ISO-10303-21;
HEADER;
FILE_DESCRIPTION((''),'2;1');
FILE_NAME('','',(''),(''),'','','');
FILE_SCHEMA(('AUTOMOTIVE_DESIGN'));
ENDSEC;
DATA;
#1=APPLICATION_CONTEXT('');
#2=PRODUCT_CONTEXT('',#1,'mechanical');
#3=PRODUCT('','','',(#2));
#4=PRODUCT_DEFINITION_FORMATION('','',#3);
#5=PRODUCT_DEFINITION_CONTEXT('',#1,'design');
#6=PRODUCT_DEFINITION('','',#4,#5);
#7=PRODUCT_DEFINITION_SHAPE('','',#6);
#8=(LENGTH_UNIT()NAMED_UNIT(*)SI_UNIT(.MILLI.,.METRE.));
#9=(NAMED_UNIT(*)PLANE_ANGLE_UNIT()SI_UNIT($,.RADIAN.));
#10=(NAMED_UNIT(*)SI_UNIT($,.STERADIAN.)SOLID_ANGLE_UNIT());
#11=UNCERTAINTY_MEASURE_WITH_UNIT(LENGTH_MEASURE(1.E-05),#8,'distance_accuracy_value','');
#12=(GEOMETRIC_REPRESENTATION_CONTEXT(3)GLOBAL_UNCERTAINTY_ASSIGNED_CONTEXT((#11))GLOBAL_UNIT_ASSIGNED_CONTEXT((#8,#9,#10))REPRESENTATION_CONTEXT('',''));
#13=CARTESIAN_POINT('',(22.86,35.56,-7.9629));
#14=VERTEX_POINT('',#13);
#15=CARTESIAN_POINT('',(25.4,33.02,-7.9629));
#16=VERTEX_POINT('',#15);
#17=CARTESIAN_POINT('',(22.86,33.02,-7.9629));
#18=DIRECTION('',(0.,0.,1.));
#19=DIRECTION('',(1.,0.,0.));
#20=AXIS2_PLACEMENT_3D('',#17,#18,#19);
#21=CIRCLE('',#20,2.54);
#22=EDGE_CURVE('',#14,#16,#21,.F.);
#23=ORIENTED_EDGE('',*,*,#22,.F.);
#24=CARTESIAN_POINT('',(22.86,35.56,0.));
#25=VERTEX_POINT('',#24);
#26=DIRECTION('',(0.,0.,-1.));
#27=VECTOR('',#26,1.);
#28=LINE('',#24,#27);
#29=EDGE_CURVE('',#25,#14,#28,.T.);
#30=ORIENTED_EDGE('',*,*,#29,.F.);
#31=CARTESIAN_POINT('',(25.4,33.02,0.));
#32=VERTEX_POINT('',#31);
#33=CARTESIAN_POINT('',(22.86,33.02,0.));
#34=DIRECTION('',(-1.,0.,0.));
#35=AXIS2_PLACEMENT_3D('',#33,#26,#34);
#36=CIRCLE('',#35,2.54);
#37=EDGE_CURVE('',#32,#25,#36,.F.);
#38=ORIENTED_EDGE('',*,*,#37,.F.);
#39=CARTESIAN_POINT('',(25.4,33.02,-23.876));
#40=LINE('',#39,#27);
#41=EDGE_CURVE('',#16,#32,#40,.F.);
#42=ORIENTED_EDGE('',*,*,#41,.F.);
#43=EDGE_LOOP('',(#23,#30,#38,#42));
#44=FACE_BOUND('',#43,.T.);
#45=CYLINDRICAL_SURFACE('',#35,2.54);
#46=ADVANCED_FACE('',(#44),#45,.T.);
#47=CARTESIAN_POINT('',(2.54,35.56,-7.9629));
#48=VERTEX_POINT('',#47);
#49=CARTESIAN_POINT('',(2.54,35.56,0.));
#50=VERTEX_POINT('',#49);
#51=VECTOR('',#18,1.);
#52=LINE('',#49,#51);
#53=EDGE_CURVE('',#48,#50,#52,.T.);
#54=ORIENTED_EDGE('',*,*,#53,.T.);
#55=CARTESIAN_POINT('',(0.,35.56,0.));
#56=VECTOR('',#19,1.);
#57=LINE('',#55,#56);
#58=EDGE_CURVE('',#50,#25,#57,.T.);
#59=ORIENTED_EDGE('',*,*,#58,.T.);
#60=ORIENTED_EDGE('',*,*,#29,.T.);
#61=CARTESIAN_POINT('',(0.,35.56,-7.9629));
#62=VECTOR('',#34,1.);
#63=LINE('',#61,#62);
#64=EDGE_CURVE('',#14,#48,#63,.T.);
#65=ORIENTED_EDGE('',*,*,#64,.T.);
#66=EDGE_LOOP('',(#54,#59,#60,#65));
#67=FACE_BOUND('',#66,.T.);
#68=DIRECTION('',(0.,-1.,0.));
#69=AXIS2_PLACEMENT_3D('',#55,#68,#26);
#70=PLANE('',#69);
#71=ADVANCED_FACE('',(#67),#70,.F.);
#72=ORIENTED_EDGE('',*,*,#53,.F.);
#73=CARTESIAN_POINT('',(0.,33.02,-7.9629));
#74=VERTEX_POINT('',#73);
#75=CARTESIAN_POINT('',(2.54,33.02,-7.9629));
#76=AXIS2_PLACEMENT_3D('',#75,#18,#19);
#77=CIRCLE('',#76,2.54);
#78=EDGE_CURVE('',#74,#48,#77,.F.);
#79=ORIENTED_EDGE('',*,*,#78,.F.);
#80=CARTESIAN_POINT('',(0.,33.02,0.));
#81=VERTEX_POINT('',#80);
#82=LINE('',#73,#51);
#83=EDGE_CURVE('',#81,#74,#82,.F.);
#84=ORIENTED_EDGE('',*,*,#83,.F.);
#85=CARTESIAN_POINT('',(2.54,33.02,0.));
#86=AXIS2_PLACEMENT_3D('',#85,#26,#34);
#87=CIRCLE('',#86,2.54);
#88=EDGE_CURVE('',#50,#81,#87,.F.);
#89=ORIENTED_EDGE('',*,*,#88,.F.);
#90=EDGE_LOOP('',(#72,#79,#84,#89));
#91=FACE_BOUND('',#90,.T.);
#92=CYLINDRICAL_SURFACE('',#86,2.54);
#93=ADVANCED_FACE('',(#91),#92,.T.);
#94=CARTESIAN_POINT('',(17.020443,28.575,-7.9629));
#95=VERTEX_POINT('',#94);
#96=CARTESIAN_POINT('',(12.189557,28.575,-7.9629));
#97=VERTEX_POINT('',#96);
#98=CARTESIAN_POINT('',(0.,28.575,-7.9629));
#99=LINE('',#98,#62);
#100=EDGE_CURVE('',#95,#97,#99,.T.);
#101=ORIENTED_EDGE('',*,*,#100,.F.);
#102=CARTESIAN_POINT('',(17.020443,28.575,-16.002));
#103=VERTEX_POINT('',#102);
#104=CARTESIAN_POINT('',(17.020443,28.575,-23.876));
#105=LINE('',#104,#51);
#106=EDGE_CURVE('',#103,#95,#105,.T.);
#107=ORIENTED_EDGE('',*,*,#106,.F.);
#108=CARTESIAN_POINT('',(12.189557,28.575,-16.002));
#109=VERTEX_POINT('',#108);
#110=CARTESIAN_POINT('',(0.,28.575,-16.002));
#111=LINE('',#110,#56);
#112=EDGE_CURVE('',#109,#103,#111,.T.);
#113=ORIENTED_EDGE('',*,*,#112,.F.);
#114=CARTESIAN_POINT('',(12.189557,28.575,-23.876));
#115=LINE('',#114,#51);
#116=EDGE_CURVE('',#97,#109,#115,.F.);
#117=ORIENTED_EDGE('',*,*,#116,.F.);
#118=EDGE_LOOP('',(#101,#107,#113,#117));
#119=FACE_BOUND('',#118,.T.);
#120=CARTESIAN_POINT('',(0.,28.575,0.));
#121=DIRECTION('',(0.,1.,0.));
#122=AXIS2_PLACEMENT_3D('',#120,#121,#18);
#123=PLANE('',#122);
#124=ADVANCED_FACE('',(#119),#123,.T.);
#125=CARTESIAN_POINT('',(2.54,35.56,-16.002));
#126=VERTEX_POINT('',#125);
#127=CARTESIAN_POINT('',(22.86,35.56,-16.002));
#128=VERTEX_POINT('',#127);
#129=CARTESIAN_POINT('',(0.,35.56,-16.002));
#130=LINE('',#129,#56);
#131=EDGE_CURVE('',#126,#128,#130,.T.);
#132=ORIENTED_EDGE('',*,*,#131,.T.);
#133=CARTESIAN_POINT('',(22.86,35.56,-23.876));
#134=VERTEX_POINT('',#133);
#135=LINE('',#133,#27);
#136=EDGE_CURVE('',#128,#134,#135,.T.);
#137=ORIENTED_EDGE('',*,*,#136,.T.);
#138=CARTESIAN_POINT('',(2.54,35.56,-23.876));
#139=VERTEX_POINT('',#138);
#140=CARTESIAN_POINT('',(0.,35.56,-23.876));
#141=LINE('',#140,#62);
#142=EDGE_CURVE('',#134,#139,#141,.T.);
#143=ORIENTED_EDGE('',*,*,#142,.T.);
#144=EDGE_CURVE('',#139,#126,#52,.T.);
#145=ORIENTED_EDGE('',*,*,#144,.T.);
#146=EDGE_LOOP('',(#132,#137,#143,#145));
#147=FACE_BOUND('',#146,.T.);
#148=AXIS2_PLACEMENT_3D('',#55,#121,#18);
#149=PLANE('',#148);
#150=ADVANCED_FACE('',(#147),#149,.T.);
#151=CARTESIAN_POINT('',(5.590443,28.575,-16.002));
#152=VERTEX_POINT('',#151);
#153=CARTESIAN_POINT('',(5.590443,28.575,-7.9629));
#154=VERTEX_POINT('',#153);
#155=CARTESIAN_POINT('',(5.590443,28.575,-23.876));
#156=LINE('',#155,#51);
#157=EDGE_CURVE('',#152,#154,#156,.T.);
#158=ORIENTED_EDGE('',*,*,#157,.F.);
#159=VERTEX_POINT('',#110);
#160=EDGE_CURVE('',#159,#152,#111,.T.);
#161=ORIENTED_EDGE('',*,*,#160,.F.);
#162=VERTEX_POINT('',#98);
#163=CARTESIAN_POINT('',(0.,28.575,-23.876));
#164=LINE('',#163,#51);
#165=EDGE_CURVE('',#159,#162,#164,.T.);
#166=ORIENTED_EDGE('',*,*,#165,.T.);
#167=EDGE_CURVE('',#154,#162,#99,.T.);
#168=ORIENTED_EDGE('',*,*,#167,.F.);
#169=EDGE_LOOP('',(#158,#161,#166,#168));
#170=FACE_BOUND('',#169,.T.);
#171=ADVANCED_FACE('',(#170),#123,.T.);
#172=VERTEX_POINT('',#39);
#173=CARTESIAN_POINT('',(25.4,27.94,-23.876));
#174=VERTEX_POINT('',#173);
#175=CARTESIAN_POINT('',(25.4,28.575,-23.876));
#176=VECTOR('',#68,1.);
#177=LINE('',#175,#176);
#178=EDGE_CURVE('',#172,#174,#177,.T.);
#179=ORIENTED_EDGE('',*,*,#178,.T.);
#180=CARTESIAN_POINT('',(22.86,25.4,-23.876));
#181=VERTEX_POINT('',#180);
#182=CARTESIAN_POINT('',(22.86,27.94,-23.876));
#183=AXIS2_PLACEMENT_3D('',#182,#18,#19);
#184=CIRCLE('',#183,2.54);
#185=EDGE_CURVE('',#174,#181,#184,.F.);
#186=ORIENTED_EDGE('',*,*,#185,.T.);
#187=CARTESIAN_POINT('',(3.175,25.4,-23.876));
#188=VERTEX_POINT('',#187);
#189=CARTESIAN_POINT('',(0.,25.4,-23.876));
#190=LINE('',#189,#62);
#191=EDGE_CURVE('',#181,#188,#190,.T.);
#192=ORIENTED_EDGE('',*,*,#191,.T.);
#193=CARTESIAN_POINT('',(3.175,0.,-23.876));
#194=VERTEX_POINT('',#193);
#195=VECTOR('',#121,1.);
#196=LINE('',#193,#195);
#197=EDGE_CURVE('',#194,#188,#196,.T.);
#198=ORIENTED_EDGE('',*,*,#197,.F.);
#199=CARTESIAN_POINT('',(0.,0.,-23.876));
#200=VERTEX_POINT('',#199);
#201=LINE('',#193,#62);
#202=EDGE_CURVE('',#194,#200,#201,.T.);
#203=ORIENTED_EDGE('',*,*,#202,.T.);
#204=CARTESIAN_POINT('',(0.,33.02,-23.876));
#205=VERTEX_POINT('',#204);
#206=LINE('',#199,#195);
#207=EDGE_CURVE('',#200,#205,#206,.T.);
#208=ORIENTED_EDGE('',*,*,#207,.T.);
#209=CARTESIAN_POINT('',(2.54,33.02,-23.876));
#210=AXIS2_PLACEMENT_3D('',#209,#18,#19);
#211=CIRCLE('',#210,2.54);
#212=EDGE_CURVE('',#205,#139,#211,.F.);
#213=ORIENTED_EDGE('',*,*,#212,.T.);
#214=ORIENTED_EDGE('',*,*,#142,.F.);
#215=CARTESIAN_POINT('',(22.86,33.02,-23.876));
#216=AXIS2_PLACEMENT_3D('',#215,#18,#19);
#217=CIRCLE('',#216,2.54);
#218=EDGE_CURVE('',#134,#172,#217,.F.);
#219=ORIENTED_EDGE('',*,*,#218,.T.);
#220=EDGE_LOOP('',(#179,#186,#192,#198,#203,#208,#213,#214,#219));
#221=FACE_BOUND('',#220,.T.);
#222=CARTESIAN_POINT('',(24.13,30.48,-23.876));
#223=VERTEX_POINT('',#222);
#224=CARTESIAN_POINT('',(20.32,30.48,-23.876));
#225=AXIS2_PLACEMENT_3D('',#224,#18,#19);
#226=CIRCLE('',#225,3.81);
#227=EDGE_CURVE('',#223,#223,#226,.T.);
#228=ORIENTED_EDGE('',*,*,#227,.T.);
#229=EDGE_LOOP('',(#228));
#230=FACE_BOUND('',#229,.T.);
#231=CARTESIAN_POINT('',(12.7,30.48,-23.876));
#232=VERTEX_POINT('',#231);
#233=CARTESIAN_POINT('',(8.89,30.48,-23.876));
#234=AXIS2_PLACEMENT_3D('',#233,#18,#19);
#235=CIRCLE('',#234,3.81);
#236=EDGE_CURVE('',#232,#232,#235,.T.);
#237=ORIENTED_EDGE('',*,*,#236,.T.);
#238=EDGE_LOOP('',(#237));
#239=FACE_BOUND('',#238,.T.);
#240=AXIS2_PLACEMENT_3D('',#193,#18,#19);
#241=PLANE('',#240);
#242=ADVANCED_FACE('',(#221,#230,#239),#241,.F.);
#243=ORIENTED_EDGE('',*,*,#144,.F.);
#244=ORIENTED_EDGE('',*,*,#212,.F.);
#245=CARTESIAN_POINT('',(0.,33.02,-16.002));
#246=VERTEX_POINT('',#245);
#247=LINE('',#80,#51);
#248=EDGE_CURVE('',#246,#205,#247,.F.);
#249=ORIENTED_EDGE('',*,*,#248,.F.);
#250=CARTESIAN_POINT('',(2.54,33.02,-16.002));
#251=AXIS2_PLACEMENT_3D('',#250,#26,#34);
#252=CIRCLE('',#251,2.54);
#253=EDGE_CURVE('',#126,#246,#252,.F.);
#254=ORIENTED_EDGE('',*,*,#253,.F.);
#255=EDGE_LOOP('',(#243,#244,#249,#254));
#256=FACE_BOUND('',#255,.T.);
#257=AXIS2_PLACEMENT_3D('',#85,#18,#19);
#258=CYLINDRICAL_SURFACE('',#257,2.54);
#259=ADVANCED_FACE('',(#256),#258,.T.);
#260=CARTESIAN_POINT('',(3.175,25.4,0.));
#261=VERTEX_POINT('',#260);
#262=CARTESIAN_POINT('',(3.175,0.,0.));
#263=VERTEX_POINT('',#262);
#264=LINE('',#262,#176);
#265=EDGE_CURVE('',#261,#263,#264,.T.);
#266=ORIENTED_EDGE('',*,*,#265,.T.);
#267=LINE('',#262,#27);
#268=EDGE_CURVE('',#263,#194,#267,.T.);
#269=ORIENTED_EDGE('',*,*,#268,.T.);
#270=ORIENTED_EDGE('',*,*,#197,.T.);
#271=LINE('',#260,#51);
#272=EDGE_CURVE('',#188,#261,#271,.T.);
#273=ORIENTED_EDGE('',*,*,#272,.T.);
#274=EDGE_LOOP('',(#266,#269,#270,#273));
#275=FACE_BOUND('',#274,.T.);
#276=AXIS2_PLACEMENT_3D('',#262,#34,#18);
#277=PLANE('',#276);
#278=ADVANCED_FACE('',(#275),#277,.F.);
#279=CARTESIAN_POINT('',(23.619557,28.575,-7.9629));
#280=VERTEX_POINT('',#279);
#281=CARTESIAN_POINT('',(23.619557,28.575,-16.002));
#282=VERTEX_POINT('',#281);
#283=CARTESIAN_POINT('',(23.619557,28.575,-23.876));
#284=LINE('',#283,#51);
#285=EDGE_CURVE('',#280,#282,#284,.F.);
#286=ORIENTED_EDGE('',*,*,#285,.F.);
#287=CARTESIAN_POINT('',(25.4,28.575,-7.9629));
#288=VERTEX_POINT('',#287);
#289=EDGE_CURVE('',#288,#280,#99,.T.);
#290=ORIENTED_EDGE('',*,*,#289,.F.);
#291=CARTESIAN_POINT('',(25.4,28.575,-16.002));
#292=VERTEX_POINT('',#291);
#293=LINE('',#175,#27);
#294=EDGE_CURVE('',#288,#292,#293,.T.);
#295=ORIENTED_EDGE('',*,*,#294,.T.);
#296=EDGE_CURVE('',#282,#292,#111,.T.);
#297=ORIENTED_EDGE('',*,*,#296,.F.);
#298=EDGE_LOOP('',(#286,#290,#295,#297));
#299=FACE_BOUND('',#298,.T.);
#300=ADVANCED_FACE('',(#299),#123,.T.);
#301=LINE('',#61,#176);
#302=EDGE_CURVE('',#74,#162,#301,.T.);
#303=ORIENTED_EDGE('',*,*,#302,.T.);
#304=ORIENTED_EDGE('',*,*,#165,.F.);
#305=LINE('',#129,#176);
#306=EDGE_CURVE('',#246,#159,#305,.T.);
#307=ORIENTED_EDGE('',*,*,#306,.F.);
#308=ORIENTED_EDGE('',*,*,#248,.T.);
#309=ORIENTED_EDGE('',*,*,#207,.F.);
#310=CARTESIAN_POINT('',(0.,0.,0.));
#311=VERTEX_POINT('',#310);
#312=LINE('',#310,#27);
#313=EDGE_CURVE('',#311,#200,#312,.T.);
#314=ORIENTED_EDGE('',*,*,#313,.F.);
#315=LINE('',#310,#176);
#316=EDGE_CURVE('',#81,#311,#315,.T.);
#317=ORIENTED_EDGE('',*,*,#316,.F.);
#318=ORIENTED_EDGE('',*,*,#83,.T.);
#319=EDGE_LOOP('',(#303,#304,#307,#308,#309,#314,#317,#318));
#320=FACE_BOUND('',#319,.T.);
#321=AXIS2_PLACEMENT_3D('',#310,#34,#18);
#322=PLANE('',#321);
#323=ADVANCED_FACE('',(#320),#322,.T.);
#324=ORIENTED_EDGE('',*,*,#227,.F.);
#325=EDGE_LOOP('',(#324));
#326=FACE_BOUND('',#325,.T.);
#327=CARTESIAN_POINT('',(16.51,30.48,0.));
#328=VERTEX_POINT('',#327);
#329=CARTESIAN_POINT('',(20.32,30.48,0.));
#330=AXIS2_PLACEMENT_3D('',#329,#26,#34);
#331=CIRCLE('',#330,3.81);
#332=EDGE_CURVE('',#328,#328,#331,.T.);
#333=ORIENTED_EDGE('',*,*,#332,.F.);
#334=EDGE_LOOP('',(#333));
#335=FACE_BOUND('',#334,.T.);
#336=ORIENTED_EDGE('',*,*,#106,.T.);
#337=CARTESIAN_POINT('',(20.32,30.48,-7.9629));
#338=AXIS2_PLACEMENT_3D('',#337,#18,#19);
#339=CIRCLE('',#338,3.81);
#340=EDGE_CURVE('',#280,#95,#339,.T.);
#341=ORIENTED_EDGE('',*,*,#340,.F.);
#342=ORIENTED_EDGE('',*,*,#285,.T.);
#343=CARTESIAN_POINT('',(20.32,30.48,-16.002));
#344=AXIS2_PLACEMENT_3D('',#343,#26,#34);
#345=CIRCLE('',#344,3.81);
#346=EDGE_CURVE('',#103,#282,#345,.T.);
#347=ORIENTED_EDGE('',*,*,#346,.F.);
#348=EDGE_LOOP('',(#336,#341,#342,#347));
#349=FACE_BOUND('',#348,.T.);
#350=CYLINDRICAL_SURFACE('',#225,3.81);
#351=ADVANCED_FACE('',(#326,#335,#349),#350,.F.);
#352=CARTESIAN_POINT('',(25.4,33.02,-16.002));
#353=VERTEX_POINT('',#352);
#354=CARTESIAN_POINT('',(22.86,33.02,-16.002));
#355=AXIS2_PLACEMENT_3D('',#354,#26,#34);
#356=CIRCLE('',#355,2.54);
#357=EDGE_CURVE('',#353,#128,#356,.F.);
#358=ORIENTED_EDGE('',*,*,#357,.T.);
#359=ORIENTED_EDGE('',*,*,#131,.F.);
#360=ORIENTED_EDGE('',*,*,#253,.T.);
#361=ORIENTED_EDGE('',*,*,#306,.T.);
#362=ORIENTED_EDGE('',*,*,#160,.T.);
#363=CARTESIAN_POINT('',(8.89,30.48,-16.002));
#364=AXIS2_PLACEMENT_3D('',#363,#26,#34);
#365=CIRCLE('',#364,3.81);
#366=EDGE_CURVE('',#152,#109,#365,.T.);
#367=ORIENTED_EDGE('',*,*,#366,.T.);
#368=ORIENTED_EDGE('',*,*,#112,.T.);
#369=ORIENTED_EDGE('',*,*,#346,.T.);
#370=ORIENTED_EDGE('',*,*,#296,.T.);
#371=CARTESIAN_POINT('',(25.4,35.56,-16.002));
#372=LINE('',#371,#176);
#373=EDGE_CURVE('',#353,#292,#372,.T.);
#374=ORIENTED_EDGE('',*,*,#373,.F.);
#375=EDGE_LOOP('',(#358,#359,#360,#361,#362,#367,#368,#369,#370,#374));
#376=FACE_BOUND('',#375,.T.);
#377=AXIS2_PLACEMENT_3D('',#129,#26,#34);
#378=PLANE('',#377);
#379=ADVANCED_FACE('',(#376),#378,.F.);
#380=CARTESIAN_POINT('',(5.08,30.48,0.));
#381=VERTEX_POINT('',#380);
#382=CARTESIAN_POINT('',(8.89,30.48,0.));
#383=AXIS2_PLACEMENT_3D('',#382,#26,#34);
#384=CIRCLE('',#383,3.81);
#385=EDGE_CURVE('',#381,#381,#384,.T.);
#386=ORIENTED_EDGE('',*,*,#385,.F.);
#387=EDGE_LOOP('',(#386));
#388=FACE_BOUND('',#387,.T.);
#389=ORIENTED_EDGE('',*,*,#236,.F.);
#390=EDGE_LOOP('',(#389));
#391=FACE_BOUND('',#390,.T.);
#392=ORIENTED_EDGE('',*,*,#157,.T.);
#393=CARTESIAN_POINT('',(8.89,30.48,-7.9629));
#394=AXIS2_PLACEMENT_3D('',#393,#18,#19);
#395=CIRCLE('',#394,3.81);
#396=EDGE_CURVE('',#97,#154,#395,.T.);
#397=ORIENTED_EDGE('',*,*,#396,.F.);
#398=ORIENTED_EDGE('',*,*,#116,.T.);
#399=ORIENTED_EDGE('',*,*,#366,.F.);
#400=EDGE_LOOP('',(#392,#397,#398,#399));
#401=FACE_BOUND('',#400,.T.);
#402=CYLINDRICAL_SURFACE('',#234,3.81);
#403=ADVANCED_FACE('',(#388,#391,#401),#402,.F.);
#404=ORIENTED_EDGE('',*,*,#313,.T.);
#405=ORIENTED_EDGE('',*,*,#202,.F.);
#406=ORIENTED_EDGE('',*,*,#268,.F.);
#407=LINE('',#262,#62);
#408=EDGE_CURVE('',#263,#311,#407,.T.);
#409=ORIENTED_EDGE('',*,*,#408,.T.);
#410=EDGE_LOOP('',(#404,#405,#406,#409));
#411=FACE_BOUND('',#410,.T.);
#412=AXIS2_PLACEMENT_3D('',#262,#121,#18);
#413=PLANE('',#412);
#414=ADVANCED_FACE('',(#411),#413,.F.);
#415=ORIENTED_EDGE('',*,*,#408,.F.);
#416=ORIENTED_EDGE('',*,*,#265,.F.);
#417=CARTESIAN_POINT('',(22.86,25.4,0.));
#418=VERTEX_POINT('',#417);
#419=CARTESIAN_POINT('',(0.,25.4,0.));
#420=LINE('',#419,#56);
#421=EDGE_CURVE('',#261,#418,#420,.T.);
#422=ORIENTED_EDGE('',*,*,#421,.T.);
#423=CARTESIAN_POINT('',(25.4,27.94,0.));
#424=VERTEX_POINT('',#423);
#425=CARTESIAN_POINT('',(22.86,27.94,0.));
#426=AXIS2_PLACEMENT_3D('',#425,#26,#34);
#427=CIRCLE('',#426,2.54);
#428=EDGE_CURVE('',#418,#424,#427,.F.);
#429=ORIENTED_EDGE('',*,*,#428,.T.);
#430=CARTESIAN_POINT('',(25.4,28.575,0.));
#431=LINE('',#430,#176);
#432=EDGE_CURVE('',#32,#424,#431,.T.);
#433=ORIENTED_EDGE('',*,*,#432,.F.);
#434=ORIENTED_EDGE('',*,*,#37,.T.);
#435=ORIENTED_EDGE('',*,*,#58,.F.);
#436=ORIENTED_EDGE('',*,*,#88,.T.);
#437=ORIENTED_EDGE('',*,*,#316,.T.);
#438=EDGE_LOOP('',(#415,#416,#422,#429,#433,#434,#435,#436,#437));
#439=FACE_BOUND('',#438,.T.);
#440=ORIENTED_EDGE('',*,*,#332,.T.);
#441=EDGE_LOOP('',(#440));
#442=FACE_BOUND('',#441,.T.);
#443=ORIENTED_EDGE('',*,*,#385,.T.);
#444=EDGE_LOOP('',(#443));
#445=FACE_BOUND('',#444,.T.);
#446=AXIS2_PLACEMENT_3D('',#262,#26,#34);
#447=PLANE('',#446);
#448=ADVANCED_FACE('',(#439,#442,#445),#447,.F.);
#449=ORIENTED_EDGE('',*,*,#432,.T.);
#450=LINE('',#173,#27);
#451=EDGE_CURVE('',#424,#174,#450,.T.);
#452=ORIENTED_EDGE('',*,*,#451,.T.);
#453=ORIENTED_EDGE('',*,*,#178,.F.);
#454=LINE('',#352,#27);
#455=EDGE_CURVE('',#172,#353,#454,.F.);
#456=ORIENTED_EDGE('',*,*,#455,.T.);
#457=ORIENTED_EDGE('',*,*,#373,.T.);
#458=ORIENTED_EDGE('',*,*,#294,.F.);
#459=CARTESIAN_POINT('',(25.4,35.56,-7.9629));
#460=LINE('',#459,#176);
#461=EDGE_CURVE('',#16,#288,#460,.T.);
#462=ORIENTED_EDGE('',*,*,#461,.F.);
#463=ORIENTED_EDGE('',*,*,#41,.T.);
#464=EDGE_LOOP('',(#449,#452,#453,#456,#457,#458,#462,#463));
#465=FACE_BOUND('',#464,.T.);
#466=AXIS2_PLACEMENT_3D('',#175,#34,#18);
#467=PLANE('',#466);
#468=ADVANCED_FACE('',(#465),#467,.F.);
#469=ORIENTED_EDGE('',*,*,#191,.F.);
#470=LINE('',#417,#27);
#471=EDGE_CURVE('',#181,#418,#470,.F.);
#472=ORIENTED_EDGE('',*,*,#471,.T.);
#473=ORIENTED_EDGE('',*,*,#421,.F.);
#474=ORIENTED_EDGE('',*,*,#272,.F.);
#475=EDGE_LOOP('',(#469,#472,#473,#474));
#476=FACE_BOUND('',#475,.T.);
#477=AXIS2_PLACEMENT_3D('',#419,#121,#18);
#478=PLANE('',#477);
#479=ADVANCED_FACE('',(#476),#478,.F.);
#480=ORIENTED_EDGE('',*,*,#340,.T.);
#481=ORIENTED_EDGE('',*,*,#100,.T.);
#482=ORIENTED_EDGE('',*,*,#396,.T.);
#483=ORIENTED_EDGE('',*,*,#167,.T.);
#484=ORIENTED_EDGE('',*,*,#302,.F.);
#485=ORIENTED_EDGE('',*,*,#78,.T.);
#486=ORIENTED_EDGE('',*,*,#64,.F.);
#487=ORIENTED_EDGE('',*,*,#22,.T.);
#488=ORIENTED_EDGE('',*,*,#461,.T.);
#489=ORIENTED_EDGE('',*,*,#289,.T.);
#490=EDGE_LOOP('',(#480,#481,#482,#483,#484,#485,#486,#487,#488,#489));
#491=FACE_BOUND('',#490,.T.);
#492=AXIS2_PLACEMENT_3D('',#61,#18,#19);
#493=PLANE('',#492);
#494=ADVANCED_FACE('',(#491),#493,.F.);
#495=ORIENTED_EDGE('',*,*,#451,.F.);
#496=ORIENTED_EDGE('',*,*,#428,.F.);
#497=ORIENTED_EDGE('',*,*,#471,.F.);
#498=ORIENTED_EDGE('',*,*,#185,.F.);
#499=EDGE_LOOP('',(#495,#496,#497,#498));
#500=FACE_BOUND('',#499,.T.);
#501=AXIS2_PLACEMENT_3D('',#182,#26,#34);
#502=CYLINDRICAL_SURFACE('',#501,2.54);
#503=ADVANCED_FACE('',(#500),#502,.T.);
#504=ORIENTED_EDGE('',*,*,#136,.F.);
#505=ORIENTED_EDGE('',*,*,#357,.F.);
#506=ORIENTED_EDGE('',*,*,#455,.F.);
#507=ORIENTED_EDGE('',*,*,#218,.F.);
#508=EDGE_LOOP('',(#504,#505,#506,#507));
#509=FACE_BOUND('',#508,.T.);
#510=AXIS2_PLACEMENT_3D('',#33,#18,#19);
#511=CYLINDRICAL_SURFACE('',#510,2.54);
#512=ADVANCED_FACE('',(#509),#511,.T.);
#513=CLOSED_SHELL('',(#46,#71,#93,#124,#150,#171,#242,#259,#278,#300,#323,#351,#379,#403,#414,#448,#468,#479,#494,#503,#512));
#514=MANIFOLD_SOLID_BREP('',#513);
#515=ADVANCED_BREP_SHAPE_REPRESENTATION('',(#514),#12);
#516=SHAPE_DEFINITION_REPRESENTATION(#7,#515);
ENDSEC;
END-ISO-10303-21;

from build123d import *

# Parameters (mm, degrees)
SKETCH1_W               = 23.876
SKETCH1_H               = 25.4
BOSS_EXTRUDE1_DEPTH     = 3.175
SKETCH2_W               = 25.4
SKETCH2_H               = 23.876
BOSS_EXTRUDE2_DEPTH     = 3.175
SKETCH3_W               = 25.4
SKETCH3_H               = 7.9629
SKETCH3_H_2             = 7.874
BOSS_EXTRUDE3_DEPTH     = 6.985
CUT_EXTRUDE1_DEPTH      = 50.796957497
CUT_EXTRUDE1_DEPTH_BACK = 50.796957497
SKETCH4_R               = 3.81
FILLET1_R               = 2.54
FILLET2_R               = 2.54
FILLET3_R               = 2.54


with BuildPart() as part:
    # Sketch1 → Boss-Extrude1 (new body)
    with BuildSketch(Plane(origin=(0, 0, 0), x_dir=(0, 0, -1), z_dir=(1, 0, 0))):
        with Locations((11.938, 12.7)):
            Rectangle(SKETCH1_W, SKETCH1_H)
    extrude(amount=BOSS_EXTRUDE1_DEPTH)

    # Sketch2 → Boss-Extrude2 (add)
    with BuildSketch(Plane(origin=(0, 25.4, 0), x_dir=(1, 0, 0), z_dir=(0, 1, 0))):
        with Locations((12.7, 11.938)):
            Rectangle(SKETCH2_W, SKETCH2_H)
    extrude(amount=BOSS_EXTRUDE2_DEPTH)

    # Sketch3 → Boss-Extrude3 (add)
    with BuildSketch(Plane(origin=(0, 28.575, 0), x_dir=(1, 0, 0), z_dir=(0, 1, 0))):
        with Locations((12.7, 3.98145)):
            Rectangle(SKETCH3_W, SKETCH3_H)
        with Locations((12.7, 19.939)):
            Rectangle(SKETCH3_W, SKETCH3_H_2)
    extrude(amount=BOSS_EXTRUDE3_DEPTH)

    # Sketch4 → Cut-Extrude1 (cut, two sides: drawn at the far end of the back side and taken through both)
    with BuildSketch(Plane.XY.offset(-CUT_EXTRUDE1_DEPTH_BACK)):
        with Locations((8.89, 30.48)):
            Circle(SKETCH4_R)
        with Locations((20.32, 30.48)):
            Circle(SKETCH4_R)
    extrude(amount=CUT_EXTRUDE1_DEPTH + CUT_EXTRUDE1_DEPTH_BACK, mode=Mode.SUBTRACT)

    # Fillet1
    fillet1_edges = [part.edges().sort_by_distance(p)[0] for p in [
        (0, 35.56, -3.98145),
        (0, 35.56, -19.939),
    ]]
    fillet(fillet1_edges, radius=FILLET1_R)

    # Fillet2
    fillet2_edges = [part.edges().sort_by_distance(p)[0] for p in [
        (25.4, 25.4, -11.938),
    ]]
    fillet(fillet2_edges, radius=FILLET2_R)

    # Fillet3
    fillet3_edges = [part.edges().sort_by_distance(p)[0] for p in [
        (25.4, 35.56, -3.98145),
        (25.4, 35.56, -19.939),
    ]]
    fillet(fillet3_edges, radius=FILLET3_R)


solid = part.part
